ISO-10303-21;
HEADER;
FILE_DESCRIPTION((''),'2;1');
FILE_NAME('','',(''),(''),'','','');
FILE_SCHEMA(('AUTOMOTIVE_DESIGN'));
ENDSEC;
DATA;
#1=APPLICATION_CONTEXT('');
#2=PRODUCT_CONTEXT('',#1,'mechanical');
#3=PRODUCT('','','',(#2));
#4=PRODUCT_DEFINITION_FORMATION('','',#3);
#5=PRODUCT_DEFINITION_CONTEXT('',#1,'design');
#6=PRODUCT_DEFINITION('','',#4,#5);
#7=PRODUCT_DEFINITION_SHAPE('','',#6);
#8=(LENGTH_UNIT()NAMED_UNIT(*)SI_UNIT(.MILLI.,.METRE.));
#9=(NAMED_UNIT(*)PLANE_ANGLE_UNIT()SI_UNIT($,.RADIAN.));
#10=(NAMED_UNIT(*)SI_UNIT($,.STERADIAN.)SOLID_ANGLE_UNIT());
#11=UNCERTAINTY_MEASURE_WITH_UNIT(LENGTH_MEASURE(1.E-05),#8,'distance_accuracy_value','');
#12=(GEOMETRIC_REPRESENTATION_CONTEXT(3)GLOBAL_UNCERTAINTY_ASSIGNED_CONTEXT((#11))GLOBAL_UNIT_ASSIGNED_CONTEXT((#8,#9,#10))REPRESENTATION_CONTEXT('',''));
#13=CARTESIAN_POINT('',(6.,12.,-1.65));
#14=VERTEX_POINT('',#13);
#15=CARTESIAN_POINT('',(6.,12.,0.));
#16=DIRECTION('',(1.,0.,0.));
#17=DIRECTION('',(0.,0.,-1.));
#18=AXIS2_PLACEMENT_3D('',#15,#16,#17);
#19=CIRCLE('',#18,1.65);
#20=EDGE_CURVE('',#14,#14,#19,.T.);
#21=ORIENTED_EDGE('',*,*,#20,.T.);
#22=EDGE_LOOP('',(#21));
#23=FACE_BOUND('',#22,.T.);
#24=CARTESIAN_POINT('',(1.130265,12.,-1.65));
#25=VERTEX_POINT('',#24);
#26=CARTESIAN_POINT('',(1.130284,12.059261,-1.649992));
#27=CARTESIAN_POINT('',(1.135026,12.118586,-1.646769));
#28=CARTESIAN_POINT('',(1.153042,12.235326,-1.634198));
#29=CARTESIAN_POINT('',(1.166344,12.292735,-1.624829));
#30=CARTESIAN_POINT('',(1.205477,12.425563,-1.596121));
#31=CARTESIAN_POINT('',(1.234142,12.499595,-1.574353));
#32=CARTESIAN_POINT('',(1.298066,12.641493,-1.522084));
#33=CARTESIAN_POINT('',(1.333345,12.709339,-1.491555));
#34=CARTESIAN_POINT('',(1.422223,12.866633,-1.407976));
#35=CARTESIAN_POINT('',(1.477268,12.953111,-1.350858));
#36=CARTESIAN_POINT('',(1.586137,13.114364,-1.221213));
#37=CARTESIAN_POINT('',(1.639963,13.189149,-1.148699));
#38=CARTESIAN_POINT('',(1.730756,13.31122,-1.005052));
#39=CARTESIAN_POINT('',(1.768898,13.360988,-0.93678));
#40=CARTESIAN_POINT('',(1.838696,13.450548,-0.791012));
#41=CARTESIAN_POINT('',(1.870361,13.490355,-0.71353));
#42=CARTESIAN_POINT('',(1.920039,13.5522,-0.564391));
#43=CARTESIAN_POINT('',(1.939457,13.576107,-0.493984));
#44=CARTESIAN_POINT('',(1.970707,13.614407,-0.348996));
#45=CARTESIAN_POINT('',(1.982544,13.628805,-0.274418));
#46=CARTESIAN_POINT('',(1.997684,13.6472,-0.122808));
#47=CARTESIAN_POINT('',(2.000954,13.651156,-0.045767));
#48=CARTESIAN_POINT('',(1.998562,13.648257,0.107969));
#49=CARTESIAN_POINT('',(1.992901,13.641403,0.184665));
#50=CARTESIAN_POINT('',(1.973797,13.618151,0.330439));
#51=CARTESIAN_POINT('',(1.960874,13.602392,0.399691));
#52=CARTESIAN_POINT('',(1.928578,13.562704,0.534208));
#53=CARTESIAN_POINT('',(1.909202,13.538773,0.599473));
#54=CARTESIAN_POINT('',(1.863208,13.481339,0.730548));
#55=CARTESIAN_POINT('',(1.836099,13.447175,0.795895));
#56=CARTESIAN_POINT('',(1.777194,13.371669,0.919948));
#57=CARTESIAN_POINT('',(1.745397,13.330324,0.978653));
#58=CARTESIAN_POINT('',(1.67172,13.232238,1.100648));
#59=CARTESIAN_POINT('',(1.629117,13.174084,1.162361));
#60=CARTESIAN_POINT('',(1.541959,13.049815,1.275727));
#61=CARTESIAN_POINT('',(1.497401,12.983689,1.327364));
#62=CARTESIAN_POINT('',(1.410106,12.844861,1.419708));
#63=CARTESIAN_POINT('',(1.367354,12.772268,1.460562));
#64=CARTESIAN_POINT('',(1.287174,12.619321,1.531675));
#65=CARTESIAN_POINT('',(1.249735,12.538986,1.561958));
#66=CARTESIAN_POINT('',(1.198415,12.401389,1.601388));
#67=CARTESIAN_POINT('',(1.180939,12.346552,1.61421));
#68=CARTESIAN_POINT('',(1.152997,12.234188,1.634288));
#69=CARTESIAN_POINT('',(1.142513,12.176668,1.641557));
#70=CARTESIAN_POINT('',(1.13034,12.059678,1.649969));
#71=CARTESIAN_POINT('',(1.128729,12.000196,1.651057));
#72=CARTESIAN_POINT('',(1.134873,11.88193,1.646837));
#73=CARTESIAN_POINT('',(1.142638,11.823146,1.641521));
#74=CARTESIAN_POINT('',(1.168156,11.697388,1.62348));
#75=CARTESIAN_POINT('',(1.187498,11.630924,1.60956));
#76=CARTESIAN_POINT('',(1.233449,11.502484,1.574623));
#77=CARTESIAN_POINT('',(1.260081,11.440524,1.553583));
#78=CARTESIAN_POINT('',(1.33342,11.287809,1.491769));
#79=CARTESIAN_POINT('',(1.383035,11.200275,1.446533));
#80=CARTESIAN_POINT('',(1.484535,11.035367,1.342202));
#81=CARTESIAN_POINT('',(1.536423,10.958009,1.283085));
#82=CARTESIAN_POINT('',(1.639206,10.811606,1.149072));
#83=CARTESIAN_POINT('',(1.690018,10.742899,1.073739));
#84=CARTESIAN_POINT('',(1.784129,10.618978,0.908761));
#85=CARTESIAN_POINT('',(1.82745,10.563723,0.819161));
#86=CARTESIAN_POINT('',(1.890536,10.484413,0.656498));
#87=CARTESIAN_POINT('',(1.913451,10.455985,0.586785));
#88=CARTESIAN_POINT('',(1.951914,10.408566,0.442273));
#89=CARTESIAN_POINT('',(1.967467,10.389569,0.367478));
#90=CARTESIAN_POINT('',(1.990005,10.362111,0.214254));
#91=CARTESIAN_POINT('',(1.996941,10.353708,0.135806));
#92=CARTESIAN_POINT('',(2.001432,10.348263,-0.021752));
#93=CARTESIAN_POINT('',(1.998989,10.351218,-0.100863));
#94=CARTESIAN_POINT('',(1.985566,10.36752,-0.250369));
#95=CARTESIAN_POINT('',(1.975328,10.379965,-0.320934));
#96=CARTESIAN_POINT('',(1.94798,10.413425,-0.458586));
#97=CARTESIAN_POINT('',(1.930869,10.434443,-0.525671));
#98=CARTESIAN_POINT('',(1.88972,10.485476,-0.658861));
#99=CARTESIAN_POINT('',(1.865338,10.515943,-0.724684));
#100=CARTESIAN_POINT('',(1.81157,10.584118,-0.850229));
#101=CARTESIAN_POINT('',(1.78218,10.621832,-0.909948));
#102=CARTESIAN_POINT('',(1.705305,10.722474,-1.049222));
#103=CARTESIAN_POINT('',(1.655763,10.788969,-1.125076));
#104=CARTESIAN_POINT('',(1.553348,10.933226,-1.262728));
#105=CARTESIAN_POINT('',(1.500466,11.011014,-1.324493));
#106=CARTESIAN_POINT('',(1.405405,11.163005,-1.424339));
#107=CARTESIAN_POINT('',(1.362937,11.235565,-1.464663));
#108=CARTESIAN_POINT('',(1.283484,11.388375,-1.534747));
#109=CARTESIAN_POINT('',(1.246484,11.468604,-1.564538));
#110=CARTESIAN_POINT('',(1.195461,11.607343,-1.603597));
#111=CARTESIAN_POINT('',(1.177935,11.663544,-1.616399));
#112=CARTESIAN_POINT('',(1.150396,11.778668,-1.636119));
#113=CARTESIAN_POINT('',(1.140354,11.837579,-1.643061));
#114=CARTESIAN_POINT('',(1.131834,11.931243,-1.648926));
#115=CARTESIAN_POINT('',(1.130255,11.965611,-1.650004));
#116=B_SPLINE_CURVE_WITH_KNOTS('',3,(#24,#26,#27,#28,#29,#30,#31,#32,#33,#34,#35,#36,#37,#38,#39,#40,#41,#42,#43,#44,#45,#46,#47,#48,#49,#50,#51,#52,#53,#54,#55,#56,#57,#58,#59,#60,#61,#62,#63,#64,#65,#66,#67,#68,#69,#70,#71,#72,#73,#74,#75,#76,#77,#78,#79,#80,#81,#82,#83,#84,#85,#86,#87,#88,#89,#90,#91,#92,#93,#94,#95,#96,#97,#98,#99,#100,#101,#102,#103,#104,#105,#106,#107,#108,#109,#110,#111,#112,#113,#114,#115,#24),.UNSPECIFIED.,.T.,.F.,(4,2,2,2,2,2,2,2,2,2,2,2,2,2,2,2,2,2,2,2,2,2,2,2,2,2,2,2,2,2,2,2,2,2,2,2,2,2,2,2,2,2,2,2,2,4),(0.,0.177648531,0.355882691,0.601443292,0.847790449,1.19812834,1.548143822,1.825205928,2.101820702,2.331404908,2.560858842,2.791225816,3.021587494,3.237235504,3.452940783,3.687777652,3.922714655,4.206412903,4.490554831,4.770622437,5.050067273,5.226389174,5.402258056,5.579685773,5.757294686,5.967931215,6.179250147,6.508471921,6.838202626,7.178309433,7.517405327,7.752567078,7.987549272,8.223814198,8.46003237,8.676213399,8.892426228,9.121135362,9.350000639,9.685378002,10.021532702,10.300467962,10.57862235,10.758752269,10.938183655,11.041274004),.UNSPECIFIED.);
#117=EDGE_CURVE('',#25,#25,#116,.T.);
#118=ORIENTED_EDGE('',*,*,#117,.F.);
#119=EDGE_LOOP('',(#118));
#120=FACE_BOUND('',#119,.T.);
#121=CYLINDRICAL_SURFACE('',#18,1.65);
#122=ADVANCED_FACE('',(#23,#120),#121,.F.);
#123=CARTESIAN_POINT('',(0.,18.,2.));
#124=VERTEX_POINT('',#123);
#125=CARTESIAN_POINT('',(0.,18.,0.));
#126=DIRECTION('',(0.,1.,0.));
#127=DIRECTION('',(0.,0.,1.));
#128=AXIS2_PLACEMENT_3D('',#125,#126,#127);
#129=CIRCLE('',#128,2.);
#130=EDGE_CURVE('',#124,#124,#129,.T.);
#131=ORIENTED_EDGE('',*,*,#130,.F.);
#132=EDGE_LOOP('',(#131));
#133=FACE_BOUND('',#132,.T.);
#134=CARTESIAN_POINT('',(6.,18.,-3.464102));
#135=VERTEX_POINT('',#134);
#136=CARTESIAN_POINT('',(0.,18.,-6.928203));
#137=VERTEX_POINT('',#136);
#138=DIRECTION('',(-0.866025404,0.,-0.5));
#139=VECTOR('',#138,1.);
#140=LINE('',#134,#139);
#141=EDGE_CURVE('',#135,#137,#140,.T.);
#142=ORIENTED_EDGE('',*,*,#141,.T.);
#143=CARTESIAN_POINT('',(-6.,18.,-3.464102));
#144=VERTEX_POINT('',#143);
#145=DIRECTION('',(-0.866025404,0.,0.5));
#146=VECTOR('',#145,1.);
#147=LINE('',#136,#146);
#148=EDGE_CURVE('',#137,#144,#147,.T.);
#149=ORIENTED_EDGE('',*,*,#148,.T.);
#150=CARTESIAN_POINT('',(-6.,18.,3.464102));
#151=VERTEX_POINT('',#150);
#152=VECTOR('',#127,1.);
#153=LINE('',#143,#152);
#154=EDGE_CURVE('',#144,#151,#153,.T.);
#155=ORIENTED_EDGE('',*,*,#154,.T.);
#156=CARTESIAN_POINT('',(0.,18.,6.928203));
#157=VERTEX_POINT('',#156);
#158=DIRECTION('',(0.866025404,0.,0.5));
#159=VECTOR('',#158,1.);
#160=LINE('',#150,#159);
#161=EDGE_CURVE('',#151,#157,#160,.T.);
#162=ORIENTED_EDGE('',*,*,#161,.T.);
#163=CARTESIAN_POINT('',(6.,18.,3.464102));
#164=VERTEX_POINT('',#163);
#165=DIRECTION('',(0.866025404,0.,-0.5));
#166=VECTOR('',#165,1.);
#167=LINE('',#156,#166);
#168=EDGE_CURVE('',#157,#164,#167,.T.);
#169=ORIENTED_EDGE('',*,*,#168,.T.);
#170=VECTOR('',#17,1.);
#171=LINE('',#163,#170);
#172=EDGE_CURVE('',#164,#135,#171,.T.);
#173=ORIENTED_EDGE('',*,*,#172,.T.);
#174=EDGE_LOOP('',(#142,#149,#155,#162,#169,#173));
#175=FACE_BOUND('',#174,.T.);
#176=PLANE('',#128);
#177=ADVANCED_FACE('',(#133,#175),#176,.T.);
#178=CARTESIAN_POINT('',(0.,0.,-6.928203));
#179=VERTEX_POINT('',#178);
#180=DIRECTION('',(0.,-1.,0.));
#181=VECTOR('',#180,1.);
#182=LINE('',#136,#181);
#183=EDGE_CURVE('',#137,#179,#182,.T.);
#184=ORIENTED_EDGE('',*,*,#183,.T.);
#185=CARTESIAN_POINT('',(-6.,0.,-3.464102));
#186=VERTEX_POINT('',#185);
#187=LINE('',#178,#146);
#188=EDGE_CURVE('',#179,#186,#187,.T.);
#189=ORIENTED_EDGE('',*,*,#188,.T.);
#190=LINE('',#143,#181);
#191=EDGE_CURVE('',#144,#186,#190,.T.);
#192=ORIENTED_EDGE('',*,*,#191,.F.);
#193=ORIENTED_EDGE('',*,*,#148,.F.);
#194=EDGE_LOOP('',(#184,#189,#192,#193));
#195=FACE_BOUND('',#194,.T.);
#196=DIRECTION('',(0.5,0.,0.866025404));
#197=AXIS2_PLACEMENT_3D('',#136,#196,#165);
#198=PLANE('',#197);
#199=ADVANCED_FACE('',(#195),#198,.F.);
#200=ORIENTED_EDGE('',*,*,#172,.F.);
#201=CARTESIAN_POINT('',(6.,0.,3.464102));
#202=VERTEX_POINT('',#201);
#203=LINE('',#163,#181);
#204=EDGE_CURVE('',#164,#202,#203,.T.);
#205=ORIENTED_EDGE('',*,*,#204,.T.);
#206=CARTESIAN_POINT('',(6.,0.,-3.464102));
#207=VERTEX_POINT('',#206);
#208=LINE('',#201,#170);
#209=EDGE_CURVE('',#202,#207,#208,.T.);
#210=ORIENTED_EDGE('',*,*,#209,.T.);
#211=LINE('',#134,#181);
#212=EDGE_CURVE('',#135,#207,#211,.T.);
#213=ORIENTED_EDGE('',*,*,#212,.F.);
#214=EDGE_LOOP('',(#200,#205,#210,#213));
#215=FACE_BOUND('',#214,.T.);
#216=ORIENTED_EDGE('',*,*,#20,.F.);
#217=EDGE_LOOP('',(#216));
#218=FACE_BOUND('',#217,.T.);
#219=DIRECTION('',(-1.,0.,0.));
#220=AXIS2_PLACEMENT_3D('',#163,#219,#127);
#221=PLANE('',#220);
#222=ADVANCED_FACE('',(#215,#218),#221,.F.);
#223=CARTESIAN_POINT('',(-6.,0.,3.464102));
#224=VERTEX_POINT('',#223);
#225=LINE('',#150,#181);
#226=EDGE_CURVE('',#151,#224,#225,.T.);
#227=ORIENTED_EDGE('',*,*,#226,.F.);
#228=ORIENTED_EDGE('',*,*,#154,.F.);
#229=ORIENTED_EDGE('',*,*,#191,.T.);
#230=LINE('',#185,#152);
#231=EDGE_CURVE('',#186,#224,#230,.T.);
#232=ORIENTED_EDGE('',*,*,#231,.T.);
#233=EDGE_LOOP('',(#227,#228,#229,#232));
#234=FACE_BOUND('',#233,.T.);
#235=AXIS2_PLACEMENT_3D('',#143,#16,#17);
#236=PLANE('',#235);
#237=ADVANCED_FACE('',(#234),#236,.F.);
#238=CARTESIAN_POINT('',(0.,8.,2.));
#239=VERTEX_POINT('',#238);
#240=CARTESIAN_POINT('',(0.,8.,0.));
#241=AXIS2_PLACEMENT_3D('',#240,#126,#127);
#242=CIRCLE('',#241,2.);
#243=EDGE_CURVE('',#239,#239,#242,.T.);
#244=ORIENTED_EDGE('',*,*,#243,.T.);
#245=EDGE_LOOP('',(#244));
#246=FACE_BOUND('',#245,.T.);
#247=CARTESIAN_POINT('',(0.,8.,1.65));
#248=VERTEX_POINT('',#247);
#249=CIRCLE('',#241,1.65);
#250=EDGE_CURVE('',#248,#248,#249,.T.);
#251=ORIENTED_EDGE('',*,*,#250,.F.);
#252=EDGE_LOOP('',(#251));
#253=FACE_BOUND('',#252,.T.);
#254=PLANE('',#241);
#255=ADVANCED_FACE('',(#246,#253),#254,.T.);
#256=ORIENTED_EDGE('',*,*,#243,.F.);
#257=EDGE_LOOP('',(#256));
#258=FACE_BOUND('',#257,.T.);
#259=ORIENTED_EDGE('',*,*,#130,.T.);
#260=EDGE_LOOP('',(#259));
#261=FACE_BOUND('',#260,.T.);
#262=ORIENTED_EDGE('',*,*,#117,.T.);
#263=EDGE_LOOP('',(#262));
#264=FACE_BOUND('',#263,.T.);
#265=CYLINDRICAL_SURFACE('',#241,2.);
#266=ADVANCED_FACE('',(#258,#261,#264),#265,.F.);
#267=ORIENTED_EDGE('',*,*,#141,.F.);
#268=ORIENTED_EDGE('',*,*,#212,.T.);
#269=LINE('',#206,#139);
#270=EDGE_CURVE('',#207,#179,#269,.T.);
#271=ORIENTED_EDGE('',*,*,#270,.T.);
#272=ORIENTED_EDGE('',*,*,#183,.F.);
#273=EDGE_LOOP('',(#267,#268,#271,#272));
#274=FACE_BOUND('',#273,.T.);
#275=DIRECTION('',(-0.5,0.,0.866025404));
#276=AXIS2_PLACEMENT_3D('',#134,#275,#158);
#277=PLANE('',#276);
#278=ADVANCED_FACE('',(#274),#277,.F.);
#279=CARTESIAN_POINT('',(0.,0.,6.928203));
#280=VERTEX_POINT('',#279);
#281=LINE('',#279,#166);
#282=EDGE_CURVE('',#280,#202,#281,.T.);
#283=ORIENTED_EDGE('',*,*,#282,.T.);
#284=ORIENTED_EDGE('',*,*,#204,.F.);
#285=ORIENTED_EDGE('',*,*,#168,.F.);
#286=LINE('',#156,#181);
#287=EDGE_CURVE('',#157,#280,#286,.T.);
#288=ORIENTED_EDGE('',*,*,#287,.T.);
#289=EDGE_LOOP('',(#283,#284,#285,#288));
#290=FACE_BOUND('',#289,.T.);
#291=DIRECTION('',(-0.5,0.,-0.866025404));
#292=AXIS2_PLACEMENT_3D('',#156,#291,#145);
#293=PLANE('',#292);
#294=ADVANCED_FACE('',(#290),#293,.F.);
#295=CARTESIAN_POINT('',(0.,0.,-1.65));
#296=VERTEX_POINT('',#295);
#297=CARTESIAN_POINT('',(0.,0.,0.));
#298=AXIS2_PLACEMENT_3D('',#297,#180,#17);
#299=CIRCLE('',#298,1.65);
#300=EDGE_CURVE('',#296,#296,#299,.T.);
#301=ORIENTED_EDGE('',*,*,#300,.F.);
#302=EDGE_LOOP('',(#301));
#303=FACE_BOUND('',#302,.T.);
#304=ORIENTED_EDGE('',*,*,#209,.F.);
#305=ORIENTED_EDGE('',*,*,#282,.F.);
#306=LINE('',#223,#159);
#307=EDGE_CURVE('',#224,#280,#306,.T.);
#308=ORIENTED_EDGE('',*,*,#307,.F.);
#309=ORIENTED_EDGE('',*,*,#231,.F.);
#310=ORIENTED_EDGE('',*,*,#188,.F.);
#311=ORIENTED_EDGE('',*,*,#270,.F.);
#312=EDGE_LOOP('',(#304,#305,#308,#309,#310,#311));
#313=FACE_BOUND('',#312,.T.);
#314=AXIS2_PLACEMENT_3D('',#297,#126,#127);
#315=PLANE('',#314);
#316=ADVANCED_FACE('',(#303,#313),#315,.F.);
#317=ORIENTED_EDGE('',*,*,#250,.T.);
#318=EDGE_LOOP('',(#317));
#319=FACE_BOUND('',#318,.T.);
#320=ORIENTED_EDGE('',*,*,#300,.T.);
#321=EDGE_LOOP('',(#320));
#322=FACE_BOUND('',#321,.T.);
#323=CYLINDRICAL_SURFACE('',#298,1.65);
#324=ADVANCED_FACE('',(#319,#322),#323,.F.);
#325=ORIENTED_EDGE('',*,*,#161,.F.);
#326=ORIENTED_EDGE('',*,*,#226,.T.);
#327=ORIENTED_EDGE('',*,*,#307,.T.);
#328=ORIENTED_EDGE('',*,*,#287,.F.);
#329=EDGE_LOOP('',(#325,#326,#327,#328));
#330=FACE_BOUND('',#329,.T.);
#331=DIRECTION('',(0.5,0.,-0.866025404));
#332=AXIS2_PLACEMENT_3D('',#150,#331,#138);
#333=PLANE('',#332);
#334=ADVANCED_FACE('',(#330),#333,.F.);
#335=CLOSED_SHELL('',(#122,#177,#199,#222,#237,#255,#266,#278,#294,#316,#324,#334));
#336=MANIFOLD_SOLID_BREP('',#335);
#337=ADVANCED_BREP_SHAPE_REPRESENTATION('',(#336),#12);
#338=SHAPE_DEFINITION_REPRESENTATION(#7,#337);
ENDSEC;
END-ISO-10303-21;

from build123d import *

# Parameters (mm, degrees)
BOSS_EXTRU_1_DEPTH                           = 18
ESQUISSE2_R                                  = 2
ENL_V_MAT_EXTRU_1_DEPTH                      = 10
TROU_POUR_TARAUDAGE_POUR_TROU_TARAUD_M4_D    = 3.3
TROU_POUR_TARAUDAGE_POUR_TROU_TARAUD_2_D     = 3.3
TROU_POUR_TARAUDAGE_POUR_TROU_TARAUD_2_DEPTH = 7


with BuildPart() as part:
    # Esquisse1 → Boss.-Extru.1 (new body)
    with BuildSketch(Plane(origin=(0, 0, 0), x_dir=(1, 0, 0), z_dir=(0, 1, 0))):
        Polygon((-6, -3.464101615), (0, -6.92820323), (6, -3.464101615), (6, 3.464101615), (0, 6.92820323), (-6, 3.464101615), align=None)
    extrude(amount=BOSS_EXTRU_1_DEPTH)

    # Esquisse2 → Enlèv. mat.-Extru.1 (cut)
    with BuildSketch(Plane(origin=(0, 18, 0), x_dir=(1, 0, 0), z_dir=(0, 1, 0))):
        with Locations(Location((0, 0, 0), (0, 0, 270))):
            Circle(ESQUISSE2_R)
    extrude(amount=-ENL_V_MAT_EXTRU_1_DEPTH, mode=Mode.SUBTRACT)

    # Trou pour taraudage pour trou taraud_ M4 (through all)
    with Locations(Plane(origin=(0, 0, 0), x_dir=(0, 0, -1), z_dir=(0, -1, 0))):
        with Locations((0, 0)):
            Hole(TROU_POUR_TARAUDAGE_POUR_TROU_TARAUD_M4_D / 2)

    # Trou pour taraudage pour trou taraud 2
    with Locations(Plane(origin=(6, 0, 0), x_dir=(0, 0, -1), z_dir=(1, 0, 0))):
        with Locations((0, 12)):
            Hole(TROU_POUR_TARAUDAGE_POUR_TROU_TARAUD_2_D / 2, depth=TROU_POUR_TARAUDAGE_POUR_TROU_TARAUD_2_DEPTH)


solid = part.part
